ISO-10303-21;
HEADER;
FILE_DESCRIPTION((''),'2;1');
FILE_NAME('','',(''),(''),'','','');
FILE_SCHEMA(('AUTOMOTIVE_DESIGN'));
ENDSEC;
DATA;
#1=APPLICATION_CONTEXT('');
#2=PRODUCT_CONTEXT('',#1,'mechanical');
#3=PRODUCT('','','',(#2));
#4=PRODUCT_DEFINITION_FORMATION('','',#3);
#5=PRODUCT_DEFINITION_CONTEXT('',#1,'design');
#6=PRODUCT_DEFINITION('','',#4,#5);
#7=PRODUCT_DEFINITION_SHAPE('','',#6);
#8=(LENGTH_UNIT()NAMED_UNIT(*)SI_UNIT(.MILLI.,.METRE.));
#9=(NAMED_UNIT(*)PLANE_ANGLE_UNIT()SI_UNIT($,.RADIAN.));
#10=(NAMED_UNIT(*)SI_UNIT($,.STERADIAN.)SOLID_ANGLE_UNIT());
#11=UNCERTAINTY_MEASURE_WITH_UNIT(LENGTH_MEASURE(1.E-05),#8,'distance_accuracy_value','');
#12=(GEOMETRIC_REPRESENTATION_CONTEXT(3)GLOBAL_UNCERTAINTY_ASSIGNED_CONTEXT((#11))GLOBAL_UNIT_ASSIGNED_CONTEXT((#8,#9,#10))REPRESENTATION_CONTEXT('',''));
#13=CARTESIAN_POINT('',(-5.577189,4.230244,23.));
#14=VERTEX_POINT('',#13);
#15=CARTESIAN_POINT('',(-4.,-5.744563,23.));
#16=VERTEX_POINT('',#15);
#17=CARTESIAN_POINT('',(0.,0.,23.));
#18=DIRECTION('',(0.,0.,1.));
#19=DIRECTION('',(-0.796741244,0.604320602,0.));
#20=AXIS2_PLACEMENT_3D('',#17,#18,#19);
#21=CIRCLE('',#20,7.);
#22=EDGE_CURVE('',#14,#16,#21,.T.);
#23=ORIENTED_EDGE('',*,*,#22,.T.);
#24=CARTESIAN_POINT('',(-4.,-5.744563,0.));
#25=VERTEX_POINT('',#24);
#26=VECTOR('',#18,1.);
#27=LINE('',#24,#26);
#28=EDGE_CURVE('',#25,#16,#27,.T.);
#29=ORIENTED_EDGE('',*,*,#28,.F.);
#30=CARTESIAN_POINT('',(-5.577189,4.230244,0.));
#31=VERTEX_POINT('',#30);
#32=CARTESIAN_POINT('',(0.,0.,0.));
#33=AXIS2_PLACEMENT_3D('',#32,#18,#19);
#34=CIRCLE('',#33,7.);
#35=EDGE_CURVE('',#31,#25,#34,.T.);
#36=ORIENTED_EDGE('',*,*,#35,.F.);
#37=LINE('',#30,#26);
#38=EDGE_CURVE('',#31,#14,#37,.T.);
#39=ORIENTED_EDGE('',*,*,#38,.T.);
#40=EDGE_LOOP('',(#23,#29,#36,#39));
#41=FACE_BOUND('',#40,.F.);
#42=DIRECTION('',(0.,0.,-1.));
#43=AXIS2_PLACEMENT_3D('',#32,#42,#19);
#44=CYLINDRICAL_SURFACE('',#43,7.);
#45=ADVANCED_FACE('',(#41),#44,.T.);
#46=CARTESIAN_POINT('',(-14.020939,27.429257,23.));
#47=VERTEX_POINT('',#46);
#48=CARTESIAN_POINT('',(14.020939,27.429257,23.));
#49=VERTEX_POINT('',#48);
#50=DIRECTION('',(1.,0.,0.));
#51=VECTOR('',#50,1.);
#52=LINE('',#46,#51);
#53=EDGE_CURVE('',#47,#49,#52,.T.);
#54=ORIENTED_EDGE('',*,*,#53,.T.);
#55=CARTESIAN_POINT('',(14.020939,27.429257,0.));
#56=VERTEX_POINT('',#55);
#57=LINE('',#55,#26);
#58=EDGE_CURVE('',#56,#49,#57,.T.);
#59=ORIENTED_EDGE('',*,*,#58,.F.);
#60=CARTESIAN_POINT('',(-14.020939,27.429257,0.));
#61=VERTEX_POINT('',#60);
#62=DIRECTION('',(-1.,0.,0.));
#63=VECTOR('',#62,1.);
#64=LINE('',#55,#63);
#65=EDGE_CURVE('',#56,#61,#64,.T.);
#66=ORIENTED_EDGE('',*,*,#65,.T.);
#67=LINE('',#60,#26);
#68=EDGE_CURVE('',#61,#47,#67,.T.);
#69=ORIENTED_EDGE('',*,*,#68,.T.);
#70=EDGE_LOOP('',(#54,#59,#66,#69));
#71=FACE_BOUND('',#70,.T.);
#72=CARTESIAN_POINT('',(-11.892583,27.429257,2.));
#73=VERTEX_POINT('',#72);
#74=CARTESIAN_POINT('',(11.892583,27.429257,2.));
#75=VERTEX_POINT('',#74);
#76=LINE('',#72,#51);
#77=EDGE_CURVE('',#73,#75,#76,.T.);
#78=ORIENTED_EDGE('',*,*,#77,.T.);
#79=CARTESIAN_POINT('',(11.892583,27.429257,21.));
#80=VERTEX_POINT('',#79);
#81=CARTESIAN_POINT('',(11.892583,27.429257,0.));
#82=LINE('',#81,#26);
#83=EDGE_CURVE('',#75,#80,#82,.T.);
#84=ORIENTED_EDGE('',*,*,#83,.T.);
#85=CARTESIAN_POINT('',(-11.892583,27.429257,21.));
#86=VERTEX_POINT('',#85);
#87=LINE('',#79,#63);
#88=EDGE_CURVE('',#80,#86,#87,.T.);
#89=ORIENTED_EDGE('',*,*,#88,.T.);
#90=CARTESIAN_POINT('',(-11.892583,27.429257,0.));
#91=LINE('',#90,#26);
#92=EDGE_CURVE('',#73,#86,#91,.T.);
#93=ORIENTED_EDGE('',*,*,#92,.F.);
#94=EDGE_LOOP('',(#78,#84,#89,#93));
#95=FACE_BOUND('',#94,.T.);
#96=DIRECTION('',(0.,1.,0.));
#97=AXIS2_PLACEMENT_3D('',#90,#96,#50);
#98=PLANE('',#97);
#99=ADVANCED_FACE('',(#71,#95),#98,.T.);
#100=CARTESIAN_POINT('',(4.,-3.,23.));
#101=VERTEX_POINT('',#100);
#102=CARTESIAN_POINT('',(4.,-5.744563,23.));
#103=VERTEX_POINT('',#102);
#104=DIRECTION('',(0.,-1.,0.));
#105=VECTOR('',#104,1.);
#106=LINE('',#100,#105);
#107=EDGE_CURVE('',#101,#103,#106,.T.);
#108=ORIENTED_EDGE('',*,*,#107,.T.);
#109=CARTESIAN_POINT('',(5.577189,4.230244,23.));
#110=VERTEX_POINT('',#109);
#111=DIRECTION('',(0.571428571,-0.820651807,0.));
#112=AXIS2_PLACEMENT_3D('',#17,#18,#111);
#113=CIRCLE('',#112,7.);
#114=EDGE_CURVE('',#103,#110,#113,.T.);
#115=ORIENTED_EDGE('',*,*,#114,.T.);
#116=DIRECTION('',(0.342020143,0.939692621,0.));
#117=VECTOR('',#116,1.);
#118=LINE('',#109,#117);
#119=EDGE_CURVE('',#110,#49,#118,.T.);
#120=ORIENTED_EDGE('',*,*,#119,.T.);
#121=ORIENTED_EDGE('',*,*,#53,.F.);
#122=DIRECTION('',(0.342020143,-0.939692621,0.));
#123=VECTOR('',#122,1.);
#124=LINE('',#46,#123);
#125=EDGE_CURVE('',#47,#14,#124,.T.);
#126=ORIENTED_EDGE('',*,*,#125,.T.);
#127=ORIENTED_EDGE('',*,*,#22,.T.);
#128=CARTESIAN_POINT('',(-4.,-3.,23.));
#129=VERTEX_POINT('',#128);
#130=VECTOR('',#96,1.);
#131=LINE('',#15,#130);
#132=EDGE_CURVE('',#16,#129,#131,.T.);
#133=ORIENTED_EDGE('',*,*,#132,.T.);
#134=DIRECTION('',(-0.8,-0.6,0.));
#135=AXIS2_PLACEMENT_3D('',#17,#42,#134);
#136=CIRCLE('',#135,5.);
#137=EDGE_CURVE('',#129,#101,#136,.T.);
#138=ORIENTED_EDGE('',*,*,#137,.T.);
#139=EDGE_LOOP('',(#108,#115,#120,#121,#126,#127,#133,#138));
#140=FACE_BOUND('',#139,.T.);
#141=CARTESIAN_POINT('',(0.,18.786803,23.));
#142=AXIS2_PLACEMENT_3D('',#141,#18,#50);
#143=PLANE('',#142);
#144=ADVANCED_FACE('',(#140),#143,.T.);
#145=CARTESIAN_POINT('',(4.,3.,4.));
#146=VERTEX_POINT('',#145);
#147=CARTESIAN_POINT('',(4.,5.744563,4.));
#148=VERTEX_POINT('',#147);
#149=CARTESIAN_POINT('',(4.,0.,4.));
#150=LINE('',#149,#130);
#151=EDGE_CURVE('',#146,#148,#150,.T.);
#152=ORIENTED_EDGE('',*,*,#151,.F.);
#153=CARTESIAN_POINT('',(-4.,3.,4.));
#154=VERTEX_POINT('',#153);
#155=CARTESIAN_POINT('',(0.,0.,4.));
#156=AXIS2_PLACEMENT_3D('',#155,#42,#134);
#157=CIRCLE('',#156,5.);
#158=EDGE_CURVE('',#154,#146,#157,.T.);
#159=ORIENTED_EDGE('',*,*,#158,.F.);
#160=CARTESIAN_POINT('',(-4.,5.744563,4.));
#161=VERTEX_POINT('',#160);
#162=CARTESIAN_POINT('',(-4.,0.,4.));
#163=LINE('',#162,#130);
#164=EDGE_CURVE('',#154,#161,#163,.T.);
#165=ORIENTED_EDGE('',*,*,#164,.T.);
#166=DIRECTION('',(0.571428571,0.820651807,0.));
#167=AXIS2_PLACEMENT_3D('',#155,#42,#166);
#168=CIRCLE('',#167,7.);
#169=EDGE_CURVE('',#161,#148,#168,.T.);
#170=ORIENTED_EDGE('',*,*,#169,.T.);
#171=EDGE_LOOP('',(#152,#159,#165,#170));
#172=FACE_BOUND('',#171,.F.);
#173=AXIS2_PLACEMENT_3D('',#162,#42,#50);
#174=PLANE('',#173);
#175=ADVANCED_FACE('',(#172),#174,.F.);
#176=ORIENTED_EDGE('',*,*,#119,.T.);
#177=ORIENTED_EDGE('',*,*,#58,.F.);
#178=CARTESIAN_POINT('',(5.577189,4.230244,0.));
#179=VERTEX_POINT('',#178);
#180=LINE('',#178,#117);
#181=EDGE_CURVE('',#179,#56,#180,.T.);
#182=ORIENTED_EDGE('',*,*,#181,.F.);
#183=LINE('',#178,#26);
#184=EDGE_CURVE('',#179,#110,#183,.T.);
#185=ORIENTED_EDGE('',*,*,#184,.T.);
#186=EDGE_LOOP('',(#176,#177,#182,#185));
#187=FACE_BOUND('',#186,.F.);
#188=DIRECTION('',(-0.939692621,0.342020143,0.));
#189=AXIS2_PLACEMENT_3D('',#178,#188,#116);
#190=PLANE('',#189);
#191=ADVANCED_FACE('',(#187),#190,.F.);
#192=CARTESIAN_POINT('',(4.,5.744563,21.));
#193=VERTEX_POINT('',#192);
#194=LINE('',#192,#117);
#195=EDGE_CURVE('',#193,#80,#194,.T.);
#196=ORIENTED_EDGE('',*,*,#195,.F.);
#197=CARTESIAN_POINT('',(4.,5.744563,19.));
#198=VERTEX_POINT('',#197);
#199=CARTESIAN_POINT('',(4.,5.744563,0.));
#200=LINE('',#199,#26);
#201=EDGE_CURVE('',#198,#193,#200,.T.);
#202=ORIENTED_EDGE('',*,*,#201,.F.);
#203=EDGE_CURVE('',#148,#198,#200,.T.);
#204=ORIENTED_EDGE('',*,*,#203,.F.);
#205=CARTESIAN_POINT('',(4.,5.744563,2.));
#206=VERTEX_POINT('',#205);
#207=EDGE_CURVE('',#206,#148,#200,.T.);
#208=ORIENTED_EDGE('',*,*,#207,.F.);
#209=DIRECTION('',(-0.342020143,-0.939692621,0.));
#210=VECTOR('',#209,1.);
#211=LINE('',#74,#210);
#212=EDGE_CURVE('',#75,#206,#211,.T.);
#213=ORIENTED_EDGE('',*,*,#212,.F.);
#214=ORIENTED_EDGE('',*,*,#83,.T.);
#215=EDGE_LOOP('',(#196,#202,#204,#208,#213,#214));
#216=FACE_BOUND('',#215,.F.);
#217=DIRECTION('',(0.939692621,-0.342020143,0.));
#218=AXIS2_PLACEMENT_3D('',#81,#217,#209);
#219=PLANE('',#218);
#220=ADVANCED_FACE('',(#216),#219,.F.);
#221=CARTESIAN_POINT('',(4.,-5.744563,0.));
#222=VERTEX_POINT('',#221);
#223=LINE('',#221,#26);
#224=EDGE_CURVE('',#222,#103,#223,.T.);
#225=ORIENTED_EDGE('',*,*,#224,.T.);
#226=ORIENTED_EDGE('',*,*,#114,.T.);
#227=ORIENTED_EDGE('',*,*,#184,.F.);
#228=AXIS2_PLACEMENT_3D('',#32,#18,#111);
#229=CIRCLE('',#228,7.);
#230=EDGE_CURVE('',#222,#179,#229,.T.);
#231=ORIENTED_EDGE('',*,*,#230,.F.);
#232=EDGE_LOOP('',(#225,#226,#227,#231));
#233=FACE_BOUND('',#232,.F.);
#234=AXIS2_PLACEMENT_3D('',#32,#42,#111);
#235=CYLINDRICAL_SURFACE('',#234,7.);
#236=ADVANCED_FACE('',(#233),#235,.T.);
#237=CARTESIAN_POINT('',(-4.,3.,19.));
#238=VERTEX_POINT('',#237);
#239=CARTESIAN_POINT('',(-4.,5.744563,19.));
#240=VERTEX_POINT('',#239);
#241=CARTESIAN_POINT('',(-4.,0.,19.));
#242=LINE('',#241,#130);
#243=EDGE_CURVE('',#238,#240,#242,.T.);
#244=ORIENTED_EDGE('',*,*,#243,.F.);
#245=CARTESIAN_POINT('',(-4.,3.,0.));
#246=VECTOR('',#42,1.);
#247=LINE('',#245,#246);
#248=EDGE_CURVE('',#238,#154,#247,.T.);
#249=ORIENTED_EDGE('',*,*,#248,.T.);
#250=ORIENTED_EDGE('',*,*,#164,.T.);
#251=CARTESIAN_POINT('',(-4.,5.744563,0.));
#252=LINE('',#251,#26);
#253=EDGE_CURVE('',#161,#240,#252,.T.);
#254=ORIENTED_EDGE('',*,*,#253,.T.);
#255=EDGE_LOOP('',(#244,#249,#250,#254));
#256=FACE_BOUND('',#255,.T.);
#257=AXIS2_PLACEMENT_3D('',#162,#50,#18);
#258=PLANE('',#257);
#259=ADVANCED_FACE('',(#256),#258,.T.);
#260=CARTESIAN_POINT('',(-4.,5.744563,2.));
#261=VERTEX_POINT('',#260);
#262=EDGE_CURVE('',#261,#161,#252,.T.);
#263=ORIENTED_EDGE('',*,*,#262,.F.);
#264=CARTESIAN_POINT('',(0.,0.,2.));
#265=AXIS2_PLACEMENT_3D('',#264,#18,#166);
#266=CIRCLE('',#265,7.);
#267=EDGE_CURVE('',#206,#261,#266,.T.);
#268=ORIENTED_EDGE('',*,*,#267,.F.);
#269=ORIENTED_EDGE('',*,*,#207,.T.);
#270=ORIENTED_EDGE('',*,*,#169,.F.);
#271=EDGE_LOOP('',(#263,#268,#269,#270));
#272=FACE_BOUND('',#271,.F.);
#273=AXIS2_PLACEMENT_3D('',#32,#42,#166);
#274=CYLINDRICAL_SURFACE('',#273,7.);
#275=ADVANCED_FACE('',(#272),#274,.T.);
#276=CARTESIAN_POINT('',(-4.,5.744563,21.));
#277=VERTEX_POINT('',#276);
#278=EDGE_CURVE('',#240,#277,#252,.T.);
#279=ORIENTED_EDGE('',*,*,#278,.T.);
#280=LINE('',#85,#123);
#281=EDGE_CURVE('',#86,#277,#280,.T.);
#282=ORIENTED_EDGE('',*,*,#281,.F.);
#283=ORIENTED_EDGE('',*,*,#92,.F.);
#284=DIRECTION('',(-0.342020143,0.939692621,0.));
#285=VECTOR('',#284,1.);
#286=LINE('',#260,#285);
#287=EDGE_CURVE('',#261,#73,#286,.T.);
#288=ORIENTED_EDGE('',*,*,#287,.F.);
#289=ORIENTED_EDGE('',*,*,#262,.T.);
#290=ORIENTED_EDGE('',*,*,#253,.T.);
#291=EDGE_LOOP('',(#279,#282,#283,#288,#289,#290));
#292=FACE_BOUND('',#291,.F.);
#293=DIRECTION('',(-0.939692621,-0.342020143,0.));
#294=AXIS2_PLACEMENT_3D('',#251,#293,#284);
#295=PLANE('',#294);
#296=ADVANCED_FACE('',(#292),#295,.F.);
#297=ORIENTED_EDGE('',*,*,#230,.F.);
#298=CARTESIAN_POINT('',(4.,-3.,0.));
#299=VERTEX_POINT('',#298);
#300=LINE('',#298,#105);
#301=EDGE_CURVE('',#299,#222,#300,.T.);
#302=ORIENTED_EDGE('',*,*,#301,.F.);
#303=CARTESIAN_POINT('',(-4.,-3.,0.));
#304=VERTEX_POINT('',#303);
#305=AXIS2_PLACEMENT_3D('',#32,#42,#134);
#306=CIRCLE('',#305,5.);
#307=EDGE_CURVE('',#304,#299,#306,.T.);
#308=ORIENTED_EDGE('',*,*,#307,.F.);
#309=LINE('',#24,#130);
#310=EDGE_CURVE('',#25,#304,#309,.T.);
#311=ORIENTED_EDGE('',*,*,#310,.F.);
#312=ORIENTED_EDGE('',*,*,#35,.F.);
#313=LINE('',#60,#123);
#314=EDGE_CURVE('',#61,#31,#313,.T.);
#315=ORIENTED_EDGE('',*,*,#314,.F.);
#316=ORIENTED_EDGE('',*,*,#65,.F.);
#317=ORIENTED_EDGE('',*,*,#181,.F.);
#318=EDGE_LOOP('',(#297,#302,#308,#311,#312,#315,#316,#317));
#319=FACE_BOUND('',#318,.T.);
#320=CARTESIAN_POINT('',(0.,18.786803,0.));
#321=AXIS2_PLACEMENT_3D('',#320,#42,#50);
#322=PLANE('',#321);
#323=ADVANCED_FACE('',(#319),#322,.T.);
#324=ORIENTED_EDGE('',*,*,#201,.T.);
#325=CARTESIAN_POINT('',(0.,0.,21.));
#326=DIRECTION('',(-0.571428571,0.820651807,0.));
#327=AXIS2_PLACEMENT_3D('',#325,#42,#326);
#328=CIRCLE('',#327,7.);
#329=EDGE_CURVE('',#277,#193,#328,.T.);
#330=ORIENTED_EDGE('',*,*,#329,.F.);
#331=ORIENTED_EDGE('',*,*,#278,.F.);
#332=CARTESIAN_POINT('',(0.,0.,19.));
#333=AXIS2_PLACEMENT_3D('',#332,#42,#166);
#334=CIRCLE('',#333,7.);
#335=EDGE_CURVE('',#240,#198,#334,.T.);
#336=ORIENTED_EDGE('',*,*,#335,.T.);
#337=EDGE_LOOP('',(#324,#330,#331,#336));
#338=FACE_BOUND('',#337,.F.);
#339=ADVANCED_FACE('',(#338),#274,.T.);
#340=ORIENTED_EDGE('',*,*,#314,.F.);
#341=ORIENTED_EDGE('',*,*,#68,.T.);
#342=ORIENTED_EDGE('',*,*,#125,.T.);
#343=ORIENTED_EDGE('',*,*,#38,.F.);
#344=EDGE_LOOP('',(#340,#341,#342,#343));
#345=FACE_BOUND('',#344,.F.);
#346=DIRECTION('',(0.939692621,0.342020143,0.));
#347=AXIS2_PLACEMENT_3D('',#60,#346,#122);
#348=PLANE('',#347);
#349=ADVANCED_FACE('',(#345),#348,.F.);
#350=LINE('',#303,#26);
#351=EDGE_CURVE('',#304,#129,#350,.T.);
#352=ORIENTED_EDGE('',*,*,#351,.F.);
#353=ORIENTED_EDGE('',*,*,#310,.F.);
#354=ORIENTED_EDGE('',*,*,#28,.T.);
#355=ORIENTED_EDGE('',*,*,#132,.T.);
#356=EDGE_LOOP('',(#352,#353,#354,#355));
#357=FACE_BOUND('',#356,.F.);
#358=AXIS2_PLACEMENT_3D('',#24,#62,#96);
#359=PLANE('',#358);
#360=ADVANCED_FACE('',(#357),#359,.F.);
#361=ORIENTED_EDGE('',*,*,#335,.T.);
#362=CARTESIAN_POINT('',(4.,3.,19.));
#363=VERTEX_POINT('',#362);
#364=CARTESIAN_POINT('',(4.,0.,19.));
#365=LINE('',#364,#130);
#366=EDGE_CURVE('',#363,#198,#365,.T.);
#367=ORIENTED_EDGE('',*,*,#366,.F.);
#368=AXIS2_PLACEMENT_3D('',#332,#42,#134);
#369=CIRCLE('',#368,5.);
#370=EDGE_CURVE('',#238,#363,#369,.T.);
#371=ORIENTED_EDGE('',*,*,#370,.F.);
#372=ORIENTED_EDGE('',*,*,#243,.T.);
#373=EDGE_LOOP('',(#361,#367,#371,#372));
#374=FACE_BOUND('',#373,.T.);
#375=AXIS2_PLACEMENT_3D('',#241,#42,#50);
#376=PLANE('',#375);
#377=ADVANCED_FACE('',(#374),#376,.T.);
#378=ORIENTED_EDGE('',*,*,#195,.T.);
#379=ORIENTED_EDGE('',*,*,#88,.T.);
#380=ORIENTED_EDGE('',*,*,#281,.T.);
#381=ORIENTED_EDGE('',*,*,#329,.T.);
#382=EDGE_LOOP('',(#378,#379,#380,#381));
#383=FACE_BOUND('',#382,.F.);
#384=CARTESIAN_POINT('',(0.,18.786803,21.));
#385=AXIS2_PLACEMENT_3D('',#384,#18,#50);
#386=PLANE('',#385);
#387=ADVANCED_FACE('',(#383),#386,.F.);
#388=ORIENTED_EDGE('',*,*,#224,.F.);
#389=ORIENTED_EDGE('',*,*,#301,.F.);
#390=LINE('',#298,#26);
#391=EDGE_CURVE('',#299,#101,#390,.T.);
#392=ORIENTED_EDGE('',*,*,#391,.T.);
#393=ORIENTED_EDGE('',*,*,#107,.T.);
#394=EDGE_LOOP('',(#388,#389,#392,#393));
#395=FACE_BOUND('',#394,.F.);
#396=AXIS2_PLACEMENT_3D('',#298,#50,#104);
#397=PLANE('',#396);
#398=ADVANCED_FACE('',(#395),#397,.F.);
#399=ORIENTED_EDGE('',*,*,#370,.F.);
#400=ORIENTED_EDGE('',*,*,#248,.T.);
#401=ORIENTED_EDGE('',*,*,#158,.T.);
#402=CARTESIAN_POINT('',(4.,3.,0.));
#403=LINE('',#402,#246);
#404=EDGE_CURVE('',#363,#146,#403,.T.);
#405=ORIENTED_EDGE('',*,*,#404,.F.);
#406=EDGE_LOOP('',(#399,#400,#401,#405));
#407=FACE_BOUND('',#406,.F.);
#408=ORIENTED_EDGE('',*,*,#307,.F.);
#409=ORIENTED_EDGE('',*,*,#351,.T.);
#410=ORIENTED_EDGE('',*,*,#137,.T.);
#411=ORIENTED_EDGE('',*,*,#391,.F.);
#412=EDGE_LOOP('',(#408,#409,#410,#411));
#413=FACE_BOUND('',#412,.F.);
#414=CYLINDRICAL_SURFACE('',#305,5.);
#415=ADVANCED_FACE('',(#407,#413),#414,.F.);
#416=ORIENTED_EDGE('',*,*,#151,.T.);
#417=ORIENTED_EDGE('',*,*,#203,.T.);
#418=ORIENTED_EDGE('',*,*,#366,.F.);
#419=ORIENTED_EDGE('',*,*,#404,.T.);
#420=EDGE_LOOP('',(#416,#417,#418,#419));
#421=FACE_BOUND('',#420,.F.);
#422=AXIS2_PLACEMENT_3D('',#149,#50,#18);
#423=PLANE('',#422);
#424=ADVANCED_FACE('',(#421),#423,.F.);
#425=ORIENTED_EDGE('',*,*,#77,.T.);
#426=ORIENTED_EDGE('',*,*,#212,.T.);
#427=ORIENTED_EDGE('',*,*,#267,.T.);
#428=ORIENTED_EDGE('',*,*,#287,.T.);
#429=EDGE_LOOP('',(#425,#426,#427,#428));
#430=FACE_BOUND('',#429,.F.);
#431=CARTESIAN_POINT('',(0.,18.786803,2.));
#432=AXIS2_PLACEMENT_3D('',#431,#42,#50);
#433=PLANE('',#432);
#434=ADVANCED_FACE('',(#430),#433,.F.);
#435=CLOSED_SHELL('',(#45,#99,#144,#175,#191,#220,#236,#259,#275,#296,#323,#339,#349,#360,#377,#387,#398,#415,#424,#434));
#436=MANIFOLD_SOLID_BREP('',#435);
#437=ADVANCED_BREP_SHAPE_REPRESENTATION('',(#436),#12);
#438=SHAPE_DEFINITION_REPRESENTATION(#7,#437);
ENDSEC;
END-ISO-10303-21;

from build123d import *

# Parameters (mm, degrees)
F1_DEPTH = 23
F3_DEPTH = 2
F5_DEPTH = 2
F6_W     = 8
F6_H     = 15
F7_DEPTH = 25


with BuildPart() as f1:
    # F0 (on Top) → F1 (new body)
    with BuildSketch(Plane.XY):
        with BuildLine():
            Line((-14.0209387689, 27.4292568356), (-5.5771887097, 4.2302442124))
            ThreePointArc((-5.5771887097, 4.2302442124), (-4.8480847739, 5.0493637247), (-4, 5.7445626465))
            Line((-4, 5.7445626465), (-11.892583224, 27.4292568356))
            Line((-11.892583224, 27.4292568356), (-14.0209387689, 27.4292568356))
        make_face()
        with BuildLine():
            ThreePointArc((-4, -3), (0, 5), (4, -3))
            Line((4, -3), (4, -5.7445626465))
            ThreePointArc((4, -5.7445626465), (6.9141036197, -1.0932388287), (5.5771887097, 4.2302442124))
            ThreePointArc((5.5771887097, 4.2302442124), (4.8480847739, 5.0493637247), (4, 5.7445626465))
            ThreePointArc((4, 5.7445626465), (0, 7), (-4, 5.7445626465))
            ThreePointArc((-4, 5.7445626465), (-4.8480847739, 5.0493637247), (-5.5771887097, 4.2302442124))
            ThreePointArc((-5.5771887097, 4.2302442124), (-6.9141036197, -1.0932388287), (-4, -5.7445626465))
            Line((-4, -5.7445626465), (-4, -3))
        make_face()
        with BuildLine():
            ThreePointArc((4, 5.7445626465), (4.8480847739, 5.0493637247), (5.5771887097, 4.2302442124))
            Line((5.5771887097, 4.2302442124), (14.0209387689, 27.4292568356))
            Line((14.0209387689, 27.4292568356), (11.892583224, 27.4292568356))
            Line((11.892583224, 27.4292568356), (4, 5.7445626465))
        make_face()
    extrude(amount=F1_DEPTH)

    # F2 (on face) → F3 (join)
    with BuildSketch(Plane.XY.offset(23)):
        with BuildLine():
            Line((11.892583224, 27.4292568356), (-11.892583224, 27.4292568356))
            Line((-11.892583224, 27.4292568356), (-4, 5.7445626465))
            ThreePointArc((-4, 5.7445626465), (0, 7), (4, 5.7445626465))
            Line((4, 5.7445626465), (11.892583224, 27.4292568356))
        make_face()
    extrude(amount=-F3_DEPTH)

    # F4 (on face) → F5 (join)
    with BuildSketch(Plane(origin=(0, 0, 0), x_dir=(1, 0, 0), z_dir=(0, 0, -1))):
        with BuildLine():
            Line((-11.892583224, -27.4292568356), (11.892583224, -27.4292568356))
            Line((11.892583224, -27.4292568356), (4, -5.7445626465))
            ThreePointArc((4, -5.7445626465), (0, -7), (-4, -5.7445626465))
            Line((-4, -5.7445626465), (-11.892583224, -27.4292568356))
        make_face()
    extrude(amount=-F5_DEPTH)

    # F6 (on Front) → F7 (cut)
    with BuildSketch(Plane.XZ):
        with Locations((0, 11.5)):
            Rectangle(F6_W, F6_H)
    extrude(amount=-F7_DEPTH, mode=Mode.SUBTRACT)


solid = f1.part
